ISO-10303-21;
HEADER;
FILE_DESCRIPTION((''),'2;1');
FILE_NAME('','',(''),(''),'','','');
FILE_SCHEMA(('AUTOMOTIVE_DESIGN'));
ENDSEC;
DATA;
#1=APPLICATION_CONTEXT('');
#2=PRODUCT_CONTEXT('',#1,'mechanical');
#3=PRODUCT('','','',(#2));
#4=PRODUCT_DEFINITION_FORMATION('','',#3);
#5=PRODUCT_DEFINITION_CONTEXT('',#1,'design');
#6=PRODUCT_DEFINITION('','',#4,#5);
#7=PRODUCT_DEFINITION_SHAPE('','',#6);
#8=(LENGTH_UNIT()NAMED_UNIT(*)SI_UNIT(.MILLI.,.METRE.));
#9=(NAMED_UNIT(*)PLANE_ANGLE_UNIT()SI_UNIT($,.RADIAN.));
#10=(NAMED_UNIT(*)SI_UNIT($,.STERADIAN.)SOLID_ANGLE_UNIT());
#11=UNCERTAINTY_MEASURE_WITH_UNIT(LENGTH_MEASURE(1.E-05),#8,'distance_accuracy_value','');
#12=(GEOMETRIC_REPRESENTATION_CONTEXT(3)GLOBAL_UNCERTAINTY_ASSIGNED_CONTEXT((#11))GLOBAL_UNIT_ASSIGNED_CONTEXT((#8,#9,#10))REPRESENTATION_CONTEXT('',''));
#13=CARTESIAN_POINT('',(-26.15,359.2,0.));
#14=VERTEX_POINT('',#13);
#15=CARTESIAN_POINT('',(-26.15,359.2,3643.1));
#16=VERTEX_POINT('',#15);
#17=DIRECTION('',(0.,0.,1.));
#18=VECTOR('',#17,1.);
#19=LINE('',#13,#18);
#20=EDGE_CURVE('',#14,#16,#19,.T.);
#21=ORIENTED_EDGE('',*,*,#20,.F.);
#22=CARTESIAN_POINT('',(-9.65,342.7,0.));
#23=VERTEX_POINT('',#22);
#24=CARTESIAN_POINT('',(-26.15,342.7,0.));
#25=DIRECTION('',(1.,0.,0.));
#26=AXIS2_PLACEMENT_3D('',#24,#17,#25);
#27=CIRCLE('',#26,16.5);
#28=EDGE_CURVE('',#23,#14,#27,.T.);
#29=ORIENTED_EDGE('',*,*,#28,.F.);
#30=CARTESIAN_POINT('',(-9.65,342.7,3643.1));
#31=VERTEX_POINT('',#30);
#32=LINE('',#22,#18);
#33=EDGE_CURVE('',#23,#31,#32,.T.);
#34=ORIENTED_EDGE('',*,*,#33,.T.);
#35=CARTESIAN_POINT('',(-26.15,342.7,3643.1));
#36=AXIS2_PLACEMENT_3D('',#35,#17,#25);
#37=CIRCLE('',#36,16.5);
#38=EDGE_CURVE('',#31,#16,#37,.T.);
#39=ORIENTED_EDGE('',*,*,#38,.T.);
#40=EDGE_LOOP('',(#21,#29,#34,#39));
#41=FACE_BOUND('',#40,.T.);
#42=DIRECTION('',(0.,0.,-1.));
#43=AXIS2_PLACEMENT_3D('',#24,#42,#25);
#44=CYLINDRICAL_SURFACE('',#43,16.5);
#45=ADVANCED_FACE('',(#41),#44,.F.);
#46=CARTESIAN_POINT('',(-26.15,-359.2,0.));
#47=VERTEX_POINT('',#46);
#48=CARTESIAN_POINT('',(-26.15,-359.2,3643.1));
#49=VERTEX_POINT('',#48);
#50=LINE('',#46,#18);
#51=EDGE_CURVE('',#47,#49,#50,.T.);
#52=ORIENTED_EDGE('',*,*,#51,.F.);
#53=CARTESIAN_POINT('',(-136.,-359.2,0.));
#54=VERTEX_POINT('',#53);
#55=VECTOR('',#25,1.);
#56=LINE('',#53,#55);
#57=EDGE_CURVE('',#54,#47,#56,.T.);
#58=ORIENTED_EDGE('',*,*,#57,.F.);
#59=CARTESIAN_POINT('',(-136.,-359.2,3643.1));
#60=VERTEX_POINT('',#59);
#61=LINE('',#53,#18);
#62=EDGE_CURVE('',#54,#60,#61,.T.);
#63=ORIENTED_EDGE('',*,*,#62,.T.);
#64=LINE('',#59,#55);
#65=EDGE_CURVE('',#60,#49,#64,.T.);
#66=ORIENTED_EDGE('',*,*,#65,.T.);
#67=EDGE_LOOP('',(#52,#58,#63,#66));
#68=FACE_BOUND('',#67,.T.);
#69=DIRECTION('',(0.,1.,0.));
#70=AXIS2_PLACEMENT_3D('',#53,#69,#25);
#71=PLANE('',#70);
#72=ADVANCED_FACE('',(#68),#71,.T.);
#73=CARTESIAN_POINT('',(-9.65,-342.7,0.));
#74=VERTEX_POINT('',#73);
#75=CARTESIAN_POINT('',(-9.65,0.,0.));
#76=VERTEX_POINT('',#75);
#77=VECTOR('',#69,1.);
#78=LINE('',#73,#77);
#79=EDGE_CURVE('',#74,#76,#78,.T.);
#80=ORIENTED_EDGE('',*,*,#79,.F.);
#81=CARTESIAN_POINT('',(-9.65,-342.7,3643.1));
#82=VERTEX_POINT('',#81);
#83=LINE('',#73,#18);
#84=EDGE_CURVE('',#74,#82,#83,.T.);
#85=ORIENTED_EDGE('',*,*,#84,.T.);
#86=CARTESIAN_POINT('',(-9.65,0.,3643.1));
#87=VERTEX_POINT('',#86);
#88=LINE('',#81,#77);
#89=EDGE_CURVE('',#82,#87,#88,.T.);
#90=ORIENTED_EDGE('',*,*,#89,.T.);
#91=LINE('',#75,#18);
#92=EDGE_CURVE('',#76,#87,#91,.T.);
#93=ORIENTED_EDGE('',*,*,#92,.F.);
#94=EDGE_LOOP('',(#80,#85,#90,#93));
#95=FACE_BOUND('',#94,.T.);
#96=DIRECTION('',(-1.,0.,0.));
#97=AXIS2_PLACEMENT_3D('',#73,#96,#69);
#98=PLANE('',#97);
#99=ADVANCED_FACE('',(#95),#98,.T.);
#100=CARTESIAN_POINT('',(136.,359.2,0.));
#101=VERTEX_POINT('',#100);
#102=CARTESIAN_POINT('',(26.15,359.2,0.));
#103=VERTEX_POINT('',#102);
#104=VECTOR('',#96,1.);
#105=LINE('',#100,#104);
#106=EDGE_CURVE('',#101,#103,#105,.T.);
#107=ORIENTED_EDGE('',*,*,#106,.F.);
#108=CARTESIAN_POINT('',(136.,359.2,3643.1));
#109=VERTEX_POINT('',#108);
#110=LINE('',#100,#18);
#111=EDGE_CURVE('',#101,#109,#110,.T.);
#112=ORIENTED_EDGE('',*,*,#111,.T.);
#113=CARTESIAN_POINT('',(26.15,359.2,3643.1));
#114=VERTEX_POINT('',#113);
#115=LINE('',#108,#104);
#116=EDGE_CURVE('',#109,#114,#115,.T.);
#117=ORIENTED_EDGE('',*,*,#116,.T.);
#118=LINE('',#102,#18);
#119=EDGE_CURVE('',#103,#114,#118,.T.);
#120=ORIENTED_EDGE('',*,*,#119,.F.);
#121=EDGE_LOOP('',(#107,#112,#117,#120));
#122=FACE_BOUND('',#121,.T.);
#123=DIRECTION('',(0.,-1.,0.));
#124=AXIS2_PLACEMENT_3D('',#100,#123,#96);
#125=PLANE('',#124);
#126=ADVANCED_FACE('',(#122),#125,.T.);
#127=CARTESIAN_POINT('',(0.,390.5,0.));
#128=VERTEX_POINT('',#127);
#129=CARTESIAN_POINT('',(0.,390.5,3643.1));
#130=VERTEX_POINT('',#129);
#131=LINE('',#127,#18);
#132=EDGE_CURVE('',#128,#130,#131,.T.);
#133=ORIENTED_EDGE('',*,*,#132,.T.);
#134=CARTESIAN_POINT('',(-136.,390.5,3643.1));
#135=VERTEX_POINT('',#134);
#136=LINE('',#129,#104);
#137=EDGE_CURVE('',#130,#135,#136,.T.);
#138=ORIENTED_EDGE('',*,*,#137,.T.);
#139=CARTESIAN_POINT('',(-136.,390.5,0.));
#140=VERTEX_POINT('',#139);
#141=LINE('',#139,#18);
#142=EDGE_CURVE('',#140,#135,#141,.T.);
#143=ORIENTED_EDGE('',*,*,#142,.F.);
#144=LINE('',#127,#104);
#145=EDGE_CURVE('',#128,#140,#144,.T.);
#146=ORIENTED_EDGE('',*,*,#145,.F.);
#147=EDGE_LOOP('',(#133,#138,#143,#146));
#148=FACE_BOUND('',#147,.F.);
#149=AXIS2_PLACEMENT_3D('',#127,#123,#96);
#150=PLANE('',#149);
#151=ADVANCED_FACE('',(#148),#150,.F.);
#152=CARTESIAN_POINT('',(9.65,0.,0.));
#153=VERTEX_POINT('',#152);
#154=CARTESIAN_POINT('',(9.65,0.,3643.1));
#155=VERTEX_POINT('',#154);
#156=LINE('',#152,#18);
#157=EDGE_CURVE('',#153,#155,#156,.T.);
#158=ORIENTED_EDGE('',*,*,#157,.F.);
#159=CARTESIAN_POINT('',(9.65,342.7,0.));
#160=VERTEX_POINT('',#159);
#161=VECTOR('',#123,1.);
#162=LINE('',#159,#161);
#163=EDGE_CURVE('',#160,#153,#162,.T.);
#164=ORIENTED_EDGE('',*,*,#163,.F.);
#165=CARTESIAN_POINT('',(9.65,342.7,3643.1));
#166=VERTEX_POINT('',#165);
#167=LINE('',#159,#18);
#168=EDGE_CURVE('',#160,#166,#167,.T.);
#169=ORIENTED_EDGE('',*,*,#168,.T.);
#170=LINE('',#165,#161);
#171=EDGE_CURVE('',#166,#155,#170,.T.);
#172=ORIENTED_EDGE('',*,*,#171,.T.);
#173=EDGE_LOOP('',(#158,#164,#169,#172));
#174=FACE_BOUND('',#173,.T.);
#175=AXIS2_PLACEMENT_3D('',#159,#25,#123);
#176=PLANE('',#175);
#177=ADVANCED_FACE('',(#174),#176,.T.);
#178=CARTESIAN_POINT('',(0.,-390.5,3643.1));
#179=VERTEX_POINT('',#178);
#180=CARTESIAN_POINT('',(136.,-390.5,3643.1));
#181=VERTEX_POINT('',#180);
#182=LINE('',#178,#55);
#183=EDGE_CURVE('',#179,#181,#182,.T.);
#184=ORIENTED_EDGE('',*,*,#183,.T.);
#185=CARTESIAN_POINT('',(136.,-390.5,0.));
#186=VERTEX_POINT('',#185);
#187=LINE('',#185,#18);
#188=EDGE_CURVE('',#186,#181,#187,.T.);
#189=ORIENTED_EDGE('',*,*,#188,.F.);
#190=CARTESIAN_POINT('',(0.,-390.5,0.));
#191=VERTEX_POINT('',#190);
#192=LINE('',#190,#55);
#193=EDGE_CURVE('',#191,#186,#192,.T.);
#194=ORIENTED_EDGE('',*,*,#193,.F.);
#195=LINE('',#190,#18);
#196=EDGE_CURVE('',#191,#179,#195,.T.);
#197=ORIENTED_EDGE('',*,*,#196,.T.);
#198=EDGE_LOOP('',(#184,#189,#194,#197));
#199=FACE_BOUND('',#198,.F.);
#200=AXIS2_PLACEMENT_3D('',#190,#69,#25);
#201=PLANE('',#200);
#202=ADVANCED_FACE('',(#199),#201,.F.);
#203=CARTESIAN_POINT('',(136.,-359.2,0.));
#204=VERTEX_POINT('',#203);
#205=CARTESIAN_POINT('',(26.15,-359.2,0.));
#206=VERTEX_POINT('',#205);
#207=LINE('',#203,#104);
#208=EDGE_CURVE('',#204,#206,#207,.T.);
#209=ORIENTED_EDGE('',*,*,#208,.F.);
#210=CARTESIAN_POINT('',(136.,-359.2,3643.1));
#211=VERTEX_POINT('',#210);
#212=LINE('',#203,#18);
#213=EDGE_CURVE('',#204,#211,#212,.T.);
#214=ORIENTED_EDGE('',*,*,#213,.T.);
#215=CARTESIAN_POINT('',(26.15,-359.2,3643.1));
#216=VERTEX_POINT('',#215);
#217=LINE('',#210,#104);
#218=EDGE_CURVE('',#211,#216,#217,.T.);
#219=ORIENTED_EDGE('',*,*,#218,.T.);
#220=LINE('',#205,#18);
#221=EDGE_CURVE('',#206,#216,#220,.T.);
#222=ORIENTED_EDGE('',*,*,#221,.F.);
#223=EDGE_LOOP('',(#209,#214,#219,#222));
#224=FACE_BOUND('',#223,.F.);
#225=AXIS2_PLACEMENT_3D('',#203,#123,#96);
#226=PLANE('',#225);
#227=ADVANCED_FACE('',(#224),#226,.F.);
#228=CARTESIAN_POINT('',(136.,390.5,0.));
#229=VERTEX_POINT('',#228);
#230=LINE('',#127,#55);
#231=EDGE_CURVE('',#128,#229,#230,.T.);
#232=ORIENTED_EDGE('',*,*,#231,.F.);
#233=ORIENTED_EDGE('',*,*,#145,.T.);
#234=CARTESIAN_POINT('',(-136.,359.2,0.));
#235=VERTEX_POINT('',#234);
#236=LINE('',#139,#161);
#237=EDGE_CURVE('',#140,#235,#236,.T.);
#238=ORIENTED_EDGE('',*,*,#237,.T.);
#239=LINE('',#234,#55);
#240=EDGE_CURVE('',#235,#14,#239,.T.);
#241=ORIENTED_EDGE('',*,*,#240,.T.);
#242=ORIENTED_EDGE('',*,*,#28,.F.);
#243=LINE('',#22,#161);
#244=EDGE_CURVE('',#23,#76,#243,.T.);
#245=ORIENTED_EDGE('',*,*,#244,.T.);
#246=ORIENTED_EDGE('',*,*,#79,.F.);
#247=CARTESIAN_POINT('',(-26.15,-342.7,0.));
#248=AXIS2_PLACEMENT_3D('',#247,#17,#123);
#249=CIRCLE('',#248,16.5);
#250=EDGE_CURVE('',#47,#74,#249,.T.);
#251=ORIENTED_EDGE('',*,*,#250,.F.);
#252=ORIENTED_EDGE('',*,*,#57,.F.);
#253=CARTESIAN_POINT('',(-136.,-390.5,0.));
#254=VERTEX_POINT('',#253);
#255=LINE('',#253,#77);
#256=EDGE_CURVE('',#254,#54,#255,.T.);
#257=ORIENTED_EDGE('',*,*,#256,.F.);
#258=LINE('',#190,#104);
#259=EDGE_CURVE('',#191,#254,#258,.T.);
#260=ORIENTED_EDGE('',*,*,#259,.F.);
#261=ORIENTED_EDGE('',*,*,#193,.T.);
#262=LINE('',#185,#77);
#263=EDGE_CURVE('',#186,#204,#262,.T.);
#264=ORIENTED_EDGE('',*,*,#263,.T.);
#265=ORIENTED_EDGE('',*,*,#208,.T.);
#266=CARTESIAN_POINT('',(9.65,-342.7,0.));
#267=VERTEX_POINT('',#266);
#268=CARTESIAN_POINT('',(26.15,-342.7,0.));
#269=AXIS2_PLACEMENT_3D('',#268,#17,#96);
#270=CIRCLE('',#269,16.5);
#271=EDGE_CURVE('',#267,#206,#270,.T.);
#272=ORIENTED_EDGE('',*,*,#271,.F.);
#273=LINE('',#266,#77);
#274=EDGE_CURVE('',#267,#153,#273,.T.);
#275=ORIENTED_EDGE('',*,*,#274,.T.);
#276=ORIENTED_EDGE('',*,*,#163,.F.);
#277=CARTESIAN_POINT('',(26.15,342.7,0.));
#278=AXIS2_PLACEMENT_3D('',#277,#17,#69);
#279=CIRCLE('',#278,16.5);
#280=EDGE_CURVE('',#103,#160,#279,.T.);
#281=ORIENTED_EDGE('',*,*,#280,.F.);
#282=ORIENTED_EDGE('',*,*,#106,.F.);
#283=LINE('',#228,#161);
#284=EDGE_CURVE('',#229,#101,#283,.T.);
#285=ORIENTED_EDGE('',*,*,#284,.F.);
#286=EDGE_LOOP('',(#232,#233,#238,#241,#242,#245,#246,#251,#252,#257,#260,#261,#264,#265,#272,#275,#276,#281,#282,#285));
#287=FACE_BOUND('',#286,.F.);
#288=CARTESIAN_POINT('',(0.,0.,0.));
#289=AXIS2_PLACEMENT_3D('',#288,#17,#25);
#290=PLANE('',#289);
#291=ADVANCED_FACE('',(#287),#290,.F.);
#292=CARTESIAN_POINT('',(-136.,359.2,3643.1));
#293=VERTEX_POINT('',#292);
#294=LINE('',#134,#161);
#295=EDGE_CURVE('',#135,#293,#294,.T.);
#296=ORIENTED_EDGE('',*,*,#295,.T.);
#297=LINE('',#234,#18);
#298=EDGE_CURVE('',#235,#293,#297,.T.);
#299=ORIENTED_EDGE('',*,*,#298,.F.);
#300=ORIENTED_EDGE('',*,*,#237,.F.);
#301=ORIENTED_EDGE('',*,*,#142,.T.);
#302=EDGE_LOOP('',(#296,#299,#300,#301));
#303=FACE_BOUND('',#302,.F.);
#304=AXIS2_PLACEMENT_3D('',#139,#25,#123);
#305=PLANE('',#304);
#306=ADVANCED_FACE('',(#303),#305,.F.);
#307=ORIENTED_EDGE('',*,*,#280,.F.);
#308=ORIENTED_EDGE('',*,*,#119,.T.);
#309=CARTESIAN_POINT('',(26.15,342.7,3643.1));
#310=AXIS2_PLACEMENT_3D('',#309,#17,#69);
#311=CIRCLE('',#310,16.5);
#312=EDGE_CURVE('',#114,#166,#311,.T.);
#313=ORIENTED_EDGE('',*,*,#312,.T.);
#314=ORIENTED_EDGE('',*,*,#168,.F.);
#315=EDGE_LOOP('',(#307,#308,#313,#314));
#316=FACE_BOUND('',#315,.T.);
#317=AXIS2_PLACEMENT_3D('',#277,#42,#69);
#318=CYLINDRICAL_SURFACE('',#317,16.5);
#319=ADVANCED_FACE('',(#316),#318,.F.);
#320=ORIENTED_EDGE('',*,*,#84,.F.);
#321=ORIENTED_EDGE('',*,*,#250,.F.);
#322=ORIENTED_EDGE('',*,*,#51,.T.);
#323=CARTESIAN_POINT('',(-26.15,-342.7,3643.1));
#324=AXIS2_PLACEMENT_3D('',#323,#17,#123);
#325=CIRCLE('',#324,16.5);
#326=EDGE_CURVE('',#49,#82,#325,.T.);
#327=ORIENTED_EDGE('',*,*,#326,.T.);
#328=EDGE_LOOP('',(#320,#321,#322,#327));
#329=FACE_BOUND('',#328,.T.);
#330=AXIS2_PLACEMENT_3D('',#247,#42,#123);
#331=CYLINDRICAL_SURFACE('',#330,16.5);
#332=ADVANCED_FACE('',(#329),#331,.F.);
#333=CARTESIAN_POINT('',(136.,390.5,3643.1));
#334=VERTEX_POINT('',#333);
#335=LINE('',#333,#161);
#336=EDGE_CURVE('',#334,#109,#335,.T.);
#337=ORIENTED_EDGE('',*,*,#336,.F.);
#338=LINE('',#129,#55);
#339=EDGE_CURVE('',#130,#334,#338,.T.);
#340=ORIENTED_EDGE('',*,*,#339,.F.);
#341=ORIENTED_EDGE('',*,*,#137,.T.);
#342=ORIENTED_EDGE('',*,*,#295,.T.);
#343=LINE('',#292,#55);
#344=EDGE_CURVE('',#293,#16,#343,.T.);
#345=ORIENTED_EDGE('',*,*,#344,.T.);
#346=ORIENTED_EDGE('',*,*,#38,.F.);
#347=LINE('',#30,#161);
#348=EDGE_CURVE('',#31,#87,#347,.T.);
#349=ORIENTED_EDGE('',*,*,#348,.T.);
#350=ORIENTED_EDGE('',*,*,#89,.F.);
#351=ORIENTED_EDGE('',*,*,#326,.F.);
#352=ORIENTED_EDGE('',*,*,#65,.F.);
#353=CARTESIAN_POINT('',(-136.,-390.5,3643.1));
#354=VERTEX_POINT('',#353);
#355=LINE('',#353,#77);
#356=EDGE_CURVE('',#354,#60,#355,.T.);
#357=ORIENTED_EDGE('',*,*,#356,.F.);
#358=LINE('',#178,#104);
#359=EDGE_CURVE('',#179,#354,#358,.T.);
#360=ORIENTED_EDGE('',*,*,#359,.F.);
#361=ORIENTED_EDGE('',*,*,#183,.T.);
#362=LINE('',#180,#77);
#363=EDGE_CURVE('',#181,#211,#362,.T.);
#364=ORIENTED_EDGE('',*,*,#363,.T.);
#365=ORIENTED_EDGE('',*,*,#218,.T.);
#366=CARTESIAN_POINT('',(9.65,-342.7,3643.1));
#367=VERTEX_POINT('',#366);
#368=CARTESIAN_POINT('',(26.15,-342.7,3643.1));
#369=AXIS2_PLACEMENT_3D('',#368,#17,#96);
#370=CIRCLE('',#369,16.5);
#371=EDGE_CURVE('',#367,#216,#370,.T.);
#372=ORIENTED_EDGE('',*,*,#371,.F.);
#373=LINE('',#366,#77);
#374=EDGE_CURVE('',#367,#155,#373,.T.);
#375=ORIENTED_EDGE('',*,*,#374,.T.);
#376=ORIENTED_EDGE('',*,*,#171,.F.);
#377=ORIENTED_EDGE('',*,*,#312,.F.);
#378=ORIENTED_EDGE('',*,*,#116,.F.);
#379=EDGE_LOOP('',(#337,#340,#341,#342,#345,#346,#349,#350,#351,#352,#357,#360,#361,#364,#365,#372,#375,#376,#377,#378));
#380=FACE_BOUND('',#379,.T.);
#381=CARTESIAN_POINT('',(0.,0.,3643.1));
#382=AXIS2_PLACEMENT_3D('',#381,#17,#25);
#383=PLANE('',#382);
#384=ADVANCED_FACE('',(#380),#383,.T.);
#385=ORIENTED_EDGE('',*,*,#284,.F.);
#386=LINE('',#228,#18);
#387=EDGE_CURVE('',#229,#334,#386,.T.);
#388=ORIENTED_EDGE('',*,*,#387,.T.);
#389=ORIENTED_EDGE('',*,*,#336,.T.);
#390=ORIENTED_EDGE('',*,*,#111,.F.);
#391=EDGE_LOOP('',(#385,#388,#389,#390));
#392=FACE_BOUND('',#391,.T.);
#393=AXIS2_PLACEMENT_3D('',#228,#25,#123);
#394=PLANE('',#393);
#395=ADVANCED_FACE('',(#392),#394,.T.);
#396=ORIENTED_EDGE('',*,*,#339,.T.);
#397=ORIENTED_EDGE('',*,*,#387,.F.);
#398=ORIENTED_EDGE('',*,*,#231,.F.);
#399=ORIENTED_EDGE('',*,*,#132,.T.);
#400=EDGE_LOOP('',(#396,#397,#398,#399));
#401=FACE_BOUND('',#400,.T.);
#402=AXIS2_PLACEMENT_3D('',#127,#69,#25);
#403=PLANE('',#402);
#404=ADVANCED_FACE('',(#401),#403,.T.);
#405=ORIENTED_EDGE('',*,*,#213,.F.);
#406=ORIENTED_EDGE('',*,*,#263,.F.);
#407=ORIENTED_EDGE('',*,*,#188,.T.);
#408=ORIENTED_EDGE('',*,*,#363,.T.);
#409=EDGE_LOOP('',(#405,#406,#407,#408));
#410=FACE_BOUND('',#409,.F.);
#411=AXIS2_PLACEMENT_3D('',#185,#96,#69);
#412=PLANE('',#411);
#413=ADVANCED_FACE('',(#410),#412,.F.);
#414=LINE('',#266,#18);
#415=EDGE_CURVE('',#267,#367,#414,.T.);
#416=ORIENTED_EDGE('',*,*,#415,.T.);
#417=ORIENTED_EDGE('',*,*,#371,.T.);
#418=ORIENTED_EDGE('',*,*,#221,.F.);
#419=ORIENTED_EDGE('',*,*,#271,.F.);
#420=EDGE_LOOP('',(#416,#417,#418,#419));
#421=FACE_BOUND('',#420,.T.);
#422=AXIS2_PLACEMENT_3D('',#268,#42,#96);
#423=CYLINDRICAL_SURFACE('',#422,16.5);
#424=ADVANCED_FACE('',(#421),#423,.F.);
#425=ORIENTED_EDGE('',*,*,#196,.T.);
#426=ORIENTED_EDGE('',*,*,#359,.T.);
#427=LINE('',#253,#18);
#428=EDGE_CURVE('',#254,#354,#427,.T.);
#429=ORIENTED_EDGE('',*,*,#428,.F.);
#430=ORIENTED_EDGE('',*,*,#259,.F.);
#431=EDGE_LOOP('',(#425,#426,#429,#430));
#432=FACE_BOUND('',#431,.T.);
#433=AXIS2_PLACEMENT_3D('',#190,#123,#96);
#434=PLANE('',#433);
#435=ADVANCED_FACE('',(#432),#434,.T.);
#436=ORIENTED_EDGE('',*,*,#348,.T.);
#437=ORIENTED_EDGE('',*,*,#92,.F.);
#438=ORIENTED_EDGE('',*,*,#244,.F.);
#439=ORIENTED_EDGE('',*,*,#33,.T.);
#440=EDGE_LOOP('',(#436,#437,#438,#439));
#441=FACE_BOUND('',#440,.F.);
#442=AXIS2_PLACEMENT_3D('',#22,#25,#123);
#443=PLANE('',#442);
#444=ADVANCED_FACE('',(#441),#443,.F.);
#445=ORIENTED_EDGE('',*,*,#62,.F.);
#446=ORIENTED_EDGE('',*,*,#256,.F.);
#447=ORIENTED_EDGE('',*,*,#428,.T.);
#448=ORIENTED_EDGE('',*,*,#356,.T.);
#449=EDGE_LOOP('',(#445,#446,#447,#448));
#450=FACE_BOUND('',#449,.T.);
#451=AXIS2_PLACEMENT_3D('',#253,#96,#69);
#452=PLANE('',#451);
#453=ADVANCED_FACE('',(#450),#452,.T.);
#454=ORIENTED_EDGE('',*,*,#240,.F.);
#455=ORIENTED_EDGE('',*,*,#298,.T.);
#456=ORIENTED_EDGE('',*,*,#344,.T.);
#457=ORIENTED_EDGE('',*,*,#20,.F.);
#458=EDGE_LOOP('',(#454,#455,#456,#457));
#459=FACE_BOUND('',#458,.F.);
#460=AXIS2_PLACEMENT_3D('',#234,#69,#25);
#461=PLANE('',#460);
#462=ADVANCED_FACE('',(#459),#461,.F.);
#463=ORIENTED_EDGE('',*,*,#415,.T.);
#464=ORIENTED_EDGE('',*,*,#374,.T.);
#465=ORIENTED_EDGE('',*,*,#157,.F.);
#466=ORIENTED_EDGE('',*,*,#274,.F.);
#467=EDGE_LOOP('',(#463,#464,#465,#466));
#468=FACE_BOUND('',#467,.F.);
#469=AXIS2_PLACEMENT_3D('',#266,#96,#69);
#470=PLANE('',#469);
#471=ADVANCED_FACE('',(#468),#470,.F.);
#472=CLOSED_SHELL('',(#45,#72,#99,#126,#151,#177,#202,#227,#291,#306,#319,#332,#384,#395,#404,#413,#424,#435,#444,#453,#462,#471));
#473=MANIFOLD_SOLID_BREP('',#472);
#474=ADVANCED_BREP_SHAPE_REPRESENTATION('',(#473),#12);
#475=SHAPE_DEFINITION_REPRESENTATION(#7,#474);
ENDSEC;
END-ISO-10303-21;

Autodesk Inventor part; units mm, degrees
ref_plane "YZ Plane" through (0, 0, 0) normal (1, 0, 0) x (0, 1, 0)
ref_plane "Start plane" through (0, 0, 0) normal (0, 0, 1) x (1, 0, 0)
ref_plane "End plane" through (0, 0, 3643.1) normal (0, 0, 1) x (1, 0, 0)
sketch "Sketch" plane through (0, 0, 0) normal (0, 0, 1) x (1, 0, 0)
  line L0 (-136, -390.5) -> (-136, -359.2)
  line L1 (-136, -359.2) -> (-26.15, -359.2)
  line L2 (-9.65, -342.7) -> (-9.65, 0)
  line L3 (-9.65, 0) -> (0, 0) construction
  line L4 (0, 0) -> (0, -390.5) construction
  line L5 (0, -390.5) -> (-136, -390.5)
  line L6 (-60, 0) -> (80, 0) construction
  line L7 (0, -60) -> (0, 80) construction
  line L8 (136, -390.5) -> (136, -359.2)
  line L9 (136, -359.2) -> (26.15, -359.2)
  line L10 (9.65, -342.7) -> (9.65, 0)
  line L11 (9.65, 0) -> (0, 0) construction
  line L12 (0, -390.5) -> (136, -390.5)
  line L13 (-136, 390.5) -> (-136, 359.2)
  line L14 (-136, 359.2) -> (-26.15, 359.2)
  line L15 (-9.65, 342.7) -> (-9.65, 0)
  line L16 (0, 390.5) -> (-136, 390.5)
  line L17 (136, 390.5) -> (136, 359.2)
  line L18 (136, 359.2) -> (26.15, 359.2)
  line L19 (0, 390.5) -> (136, 390.5)
  line L20 (9.65, 342.7) -> (9.65, 0)
  arc A0 (-9.65, 342.7) -> (-26.15, 359.2) centre (-26.15, 342.7) ccw
  arc A1 (26.15, 359.2) -> (9.65, 342.7) centre (26.15, 342.7) ccw
  arc A2 (9.65, -342.7) -> (26.15, -359.2) centre (26.15, -342.7) ccw
  arc A3 (-26.15, -359.2) -> (-9.65, -342.7) centre (-26.15, -342.7) ccw
  line L21 (0, 108) -> (0, -88) construction
  line L22 (-88, 0) -> (108, 0) construction
  point P0 (-9.65, -359.2)
  point P1 (9.65, -359.2)
  point P2 (-9.65, 359.2)
  point P3 (9.65, 359.2)
  dimension "d1" = 390.5
  dimension "d2" = 31.3
  dimension "d3" = 136
  dimension "d4" = 9.65
  dimension "d10" = 16.5
extrude "Body" add sketch "Sketch" along normal up to surface (3643.1 mm away) from surface at 0
sketch "Sketch4" plane through (0, 0, 0) normal (0, 0, 1) x (1, 0, 0)
  line L0 (0, 0) -> (10, 0)
ref_plane "Work Plane3" through (0, 0, 0) normal (0, -1, 0) x (1, 0, 0)
sketch "Sketch5" plane through (0, 0, 0) normal (0, -1, 0) x (1, 0, 0)
  line L0 (-2, 0) -> (12, 0) projected
  line L1 (-2, 3643.1) -> (12, 3643.1) projected
  dimension "d14" = 3643.1
equation "\"d1\" = 0.5 * G_H"
equation "\"d2\" = G_T1"
equation "\"d3\" = 0.5 * G_W"
equation "\"d4\" = 0.5 * G_T"
equation "\"d10\" = G_IR"
equation "\"d5\" = G_L"
equation "\"G_W\" = 272"
equation "\"G_H\" = 781"
equation "\"G_T\" = 19.3"
equation "\"G_T1\" = 31.3"
equation "\"G_IR\" = 16.5"
equation "\"G_L\" = d14"
equation "\"G_OFFSET_START\" = 0"
equation "\"G_OFFSET_END\" = 0"
equation "\"d12\" = G_OFFSET_END + B_L"
equation "\"B_L\" = 3643.1"
properties part number "AS 3679-1990 - 760 UB - 244 - 3643.1" material "Steel, Mild"
